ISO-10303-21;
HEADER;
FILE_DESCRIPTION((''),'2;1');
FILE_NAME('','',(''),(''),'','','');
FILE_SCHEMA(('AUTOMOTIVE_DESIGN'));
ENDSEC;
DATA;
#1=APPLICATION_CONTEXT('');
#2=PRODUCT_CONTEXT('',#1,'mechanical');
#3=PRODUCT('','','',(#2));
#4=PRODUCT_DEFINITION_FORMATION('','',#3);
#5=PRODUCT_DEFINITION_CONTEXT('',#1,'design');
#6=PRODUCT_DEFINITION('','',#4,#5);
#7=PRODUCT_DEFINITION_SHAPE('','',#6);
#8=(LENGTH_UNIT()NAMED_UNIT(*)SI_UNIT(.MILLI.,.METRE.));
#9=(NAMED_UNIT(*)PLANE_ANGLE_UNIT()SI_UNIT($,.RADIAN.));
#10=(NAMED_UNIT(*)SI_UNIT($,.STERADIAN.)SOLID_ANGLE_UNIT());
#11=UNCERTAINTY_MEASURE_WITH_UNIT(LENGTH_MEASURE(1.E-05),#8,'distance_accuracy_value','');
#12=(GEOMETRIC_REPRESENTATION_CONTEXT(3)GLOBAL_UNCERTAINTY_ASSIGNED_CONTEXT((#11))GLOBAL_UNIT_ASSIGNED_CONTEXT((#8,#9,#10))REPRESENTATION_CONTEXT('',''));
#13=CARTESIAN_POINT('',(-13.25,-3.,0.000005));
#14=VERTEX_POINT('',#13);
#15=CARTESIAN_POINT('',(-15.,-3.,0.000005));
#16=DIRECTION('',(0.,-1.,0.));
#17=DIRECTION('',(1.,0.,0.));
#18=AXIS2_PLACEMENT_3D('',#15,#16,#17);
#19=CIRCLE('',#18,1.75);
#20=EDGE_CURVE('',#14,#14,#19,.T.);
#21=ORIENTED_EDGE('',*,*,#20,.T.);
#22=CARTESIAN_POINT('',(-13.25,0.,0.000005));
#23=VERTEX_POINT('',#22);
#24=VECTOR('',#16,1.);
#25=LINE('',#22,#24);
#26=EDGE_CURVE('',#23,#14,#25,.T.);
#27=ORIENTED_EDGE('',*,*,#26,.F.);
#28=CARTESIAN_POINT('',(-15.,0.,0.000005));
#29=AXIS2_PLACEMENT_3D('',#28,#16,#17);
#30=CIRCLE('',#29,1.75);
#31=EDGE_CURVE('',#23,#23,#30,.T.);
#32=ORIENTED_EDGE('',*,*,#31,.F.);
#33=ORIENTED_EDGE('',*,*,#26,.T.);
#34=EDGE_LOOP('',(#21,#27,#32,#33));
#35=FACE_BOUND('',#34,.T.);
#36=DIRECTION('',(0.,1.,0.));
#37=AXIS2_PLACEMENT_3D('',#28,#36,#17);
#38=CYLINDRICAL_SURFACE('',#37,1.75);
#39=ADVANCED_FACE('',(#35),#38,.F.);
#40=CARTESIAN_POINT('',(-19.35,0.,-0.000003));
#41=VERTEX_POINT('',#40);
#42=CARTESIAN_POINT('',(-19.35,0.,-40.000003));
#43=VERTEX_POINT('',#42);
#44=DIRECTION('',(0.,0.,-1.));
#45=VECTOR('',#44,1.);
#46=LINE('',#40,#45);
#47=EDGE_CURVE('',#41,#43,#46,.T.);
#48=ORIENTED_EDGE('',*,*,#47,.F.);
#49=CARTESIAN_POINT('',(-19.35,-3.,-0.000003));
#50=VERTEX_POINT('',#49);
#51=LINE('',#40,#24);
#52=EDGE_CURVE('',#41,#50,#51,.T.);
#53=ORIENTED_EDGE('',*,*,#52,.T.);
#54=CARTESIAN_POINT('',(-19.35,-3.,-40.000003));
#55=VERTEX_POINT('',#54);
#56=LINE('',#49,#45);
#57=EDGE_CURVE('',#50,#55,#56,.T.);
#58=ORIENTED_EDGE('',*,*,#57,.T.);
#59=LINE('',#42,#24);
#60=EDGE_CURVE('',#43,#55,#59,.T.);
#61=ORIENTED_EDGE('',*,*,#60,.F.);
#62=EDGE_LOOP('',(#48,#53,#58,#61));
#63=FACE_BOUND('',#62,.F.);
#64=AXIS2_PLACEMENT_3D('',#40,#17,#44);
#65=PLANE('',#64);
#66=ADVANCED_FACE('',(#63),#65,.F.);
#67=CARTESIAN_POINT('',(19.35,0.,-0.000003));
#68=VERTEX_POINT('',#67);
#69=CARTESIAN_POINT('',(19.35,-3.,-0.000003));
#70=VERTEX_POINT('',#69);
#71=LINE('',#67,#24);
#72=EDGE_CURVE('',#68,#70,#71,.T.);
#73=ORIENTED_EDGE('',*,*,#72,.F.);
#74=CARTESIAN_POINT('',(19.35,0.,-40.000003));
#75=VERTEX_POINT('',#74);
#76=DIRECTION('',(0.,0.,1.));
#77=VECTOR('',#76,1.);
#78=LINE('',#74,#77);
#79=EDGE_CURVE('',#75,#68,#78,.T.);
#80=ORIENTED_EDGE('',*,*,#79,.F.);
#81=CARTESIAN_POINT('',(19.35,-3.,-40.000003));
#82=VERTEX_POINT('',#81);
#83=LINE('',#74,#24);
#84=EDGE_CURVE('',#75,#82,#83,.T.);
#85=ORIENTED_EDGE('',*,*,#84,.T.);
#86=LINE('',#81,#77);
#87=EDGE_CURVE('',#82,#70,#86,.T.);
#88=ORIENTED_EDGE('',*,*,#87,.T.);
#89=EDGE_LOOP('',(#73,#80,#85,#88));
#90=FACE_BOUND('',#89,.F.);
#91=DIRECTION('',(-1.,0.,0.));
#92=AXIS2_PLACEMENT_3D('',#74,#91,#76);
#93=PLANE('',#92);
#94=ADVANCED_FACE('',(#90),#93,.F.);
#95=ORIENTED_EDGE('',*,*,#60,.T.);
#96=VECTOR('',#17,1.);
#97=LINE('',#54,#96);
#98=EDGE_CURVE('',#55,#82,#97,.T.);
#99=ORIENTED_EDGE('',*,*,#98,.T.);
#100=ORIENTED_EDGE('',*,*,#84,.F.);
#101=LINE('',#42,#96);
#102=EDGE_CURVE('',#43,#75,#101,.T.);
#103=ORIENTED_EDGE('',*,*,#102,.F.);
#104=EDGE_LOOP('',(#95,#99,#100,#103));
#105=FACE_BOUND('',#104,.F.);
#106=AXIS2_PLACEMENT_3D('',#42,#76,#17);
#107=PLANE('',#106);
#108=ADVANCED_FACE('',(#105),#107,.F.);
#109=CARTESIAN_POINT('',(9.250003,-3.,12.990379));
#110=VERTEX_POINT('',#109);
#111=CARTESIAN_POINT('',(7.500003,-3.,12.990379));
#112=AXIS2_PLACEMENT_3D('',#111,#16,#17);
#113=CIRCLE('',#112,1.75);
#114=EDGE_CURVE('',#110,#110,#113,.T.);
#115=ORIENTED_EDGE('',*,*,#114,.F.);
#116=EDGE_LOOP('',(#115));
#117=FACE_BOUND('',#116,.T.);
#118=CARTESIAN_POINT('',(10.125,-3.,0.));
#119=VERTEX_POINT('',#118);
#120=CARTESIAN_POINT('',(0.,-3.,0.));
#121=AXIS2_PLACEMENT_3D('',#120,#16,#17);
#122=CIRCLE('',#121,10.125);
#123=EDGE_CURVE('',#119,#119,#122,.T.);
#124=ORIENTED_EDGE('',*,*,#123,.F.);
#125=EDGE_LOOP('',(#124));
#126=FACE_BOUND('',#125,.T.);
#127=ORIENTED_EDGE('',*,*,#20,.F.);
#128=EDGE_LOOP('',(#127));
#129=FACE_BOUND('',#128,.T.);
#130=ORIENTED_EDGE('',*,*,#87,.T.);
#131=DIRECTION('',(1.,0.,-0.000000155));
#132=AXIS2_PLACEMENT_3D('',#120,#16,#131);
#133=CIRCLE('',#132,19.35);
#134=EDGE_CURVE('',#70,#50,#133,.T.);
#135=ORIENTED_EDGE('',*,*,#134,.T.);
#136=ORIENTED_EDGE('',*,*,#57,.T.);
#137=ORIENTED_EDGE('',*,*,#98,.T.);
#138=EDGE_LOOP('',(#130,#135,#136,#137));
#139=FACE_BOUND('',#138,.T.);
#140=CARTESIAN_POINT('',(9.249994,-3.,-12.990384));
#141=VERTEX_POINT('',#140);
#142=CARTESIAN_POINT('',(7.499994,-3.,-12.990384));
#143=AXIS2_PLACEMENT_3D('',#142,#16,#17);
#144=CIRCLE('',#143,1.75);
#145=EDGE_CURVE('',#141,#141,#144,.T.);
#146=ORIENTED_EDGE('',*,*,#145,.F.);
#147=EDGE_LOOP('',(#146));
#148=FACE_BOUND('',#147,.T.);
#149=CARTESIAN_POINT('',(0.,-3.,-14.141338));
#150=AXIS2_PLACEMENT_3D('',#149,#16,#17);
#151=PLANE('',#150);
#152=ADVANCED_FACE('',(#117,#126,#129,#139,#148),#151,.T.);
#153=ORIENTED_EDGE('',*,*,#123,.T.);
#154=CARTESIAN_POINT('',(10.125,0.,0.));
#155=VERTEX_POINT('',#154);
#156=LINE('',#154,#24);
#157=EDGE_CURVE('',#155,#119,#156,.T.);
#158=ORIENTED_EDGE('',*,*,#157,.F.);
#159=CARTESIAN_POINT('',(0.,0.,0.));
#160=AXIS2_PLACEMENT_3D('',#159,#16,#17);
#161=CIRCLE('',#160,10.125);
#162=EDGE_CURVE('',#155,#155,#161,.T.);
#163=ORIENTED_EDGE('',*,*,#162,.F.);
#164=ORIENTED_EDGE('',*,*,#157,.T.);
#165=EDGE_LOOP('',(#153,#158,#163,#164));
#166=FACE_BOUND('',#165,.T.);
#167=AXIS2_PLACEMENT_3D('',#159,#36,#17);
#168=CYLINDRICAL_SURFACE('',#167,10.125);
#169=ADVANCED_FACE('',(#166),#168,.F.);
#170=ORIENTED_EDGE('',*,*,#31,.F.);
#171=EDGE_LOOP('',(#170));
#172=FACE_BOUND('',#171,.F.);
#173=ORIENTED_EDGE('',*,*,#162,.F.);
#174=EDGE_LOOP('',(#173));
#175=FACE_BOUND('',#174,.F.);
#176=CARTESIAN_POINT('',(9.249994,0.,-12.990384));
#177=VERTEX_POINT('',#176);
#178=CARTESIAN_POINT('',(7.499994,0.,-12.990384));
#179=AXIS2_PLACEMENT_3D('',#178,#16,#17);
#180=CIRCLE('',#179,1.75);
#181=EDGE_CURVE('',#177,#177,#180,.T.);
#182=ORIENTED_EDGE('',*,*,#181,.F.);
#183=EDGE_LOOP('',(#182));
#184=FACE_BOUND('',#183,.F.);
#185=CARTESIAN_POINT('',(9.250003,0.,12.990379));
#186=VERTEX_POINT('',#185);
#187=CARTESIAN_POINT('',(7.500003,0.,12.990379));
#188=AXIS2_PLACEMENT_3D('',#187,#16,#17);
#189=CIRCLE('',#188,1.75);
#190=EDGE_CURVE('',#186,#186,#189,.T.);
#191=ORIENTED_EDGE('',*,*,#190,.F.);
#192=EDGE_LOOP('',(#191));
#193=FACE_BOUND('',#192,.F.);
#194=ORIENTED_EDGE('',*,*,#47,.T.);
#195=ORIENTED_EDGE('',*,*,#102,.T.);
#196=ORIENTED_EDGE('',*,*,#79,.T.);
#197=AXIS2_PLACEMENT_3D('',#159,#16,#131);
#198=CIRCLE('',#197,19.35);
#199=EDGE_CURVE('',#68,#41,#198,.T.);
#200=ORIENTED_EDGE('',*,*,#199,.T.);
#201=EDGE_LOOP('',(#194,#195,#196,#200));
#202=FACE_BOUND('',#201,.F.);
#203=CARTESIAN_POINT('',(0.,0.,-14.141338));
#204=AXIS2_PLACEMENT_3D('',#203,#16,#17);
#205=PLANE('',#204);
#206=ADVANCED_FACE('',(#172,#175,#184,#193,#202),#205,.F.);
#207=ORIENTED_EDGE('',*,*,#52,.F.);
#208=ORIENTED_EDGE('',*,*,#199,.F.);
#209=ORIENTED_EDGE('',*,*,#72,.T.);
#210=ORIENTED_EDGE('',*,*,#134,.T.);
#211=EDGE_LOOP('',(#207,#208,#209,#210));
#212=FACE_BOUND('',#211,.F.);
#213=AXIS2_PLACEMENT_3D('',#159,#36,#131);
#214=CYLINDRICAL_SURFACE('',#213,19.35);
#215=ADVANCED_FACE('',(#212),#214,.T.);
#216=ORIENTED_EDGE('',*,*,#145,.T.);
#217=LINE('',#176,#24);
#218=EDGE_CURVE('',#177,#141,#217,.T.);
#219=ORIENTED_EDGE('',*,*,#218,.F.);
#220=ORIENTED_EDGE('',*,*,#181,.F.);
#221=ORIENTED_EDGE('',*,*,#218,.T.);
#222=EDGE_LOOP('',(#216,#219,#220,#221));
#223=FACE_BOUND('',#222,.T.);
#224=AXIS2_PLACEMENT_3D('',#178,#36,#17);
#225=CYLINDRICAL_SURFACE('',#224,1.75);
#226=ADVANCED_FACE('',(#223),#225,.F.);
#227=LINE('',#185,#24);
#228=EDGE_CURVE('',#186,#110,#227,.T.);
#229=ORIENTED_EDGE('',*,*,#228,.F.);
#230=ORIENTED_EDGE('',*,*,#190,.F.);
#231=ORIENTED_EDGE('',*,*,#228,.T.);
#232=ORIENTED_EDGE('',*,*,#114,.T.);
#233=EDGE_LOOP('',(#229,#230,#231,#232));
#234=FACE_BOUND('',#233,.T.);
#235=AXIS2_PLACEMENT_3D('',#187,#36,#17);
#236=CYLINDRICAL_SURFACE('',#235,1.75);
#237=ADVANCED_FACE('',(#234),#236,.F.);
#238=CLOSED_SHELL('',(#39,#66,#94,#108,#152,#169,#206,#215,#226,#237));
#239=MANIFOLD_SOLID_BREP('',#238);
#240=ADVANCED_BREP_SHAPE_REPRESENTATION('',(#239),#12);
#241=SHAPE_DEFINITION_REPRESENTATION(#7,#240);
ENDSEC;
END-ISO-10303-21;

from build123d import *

# Parameters (mm, degrees)
SKETCH_R   = 10.125
SKETCH_R_2 = 1.75
PAD_DEPTH  = 3


with BuildPart() as part:
    # Sketch → Pad (new body)
    with BuildSketch(Plane.XZ):
        with BuildLine():
            ThreePointArc((19.35, -3e-06), (0, 19.35), (-19.35, -3e-06))
            Line((-19.35, -3e-06), (-19.35, -40.000003))
            Line((-19.35, -40.000003), (19.35, -40.000003))
            Line((19.35, -40.000003), (19.35, -3e-06))
        make_face()
        Circle(SKETCH_R, mode=Mode.SUBTRACT)
        with Locations((7.500003, 12.990379)):
            Circle(SKETCH_R_2, mode=Mode.SUBTRACT)
        with Locations((-15, 5e-06)):
            Circle(SKETCH_R_2, mode=Mode.SUBTRACT)
        with Locations((7.499994, -12.990384)):
            Circle(SKETCH_R_2, mode=Mode.SUBTRACT)
    extrude(amount=PAD_DEPTH)


solid = part.part
